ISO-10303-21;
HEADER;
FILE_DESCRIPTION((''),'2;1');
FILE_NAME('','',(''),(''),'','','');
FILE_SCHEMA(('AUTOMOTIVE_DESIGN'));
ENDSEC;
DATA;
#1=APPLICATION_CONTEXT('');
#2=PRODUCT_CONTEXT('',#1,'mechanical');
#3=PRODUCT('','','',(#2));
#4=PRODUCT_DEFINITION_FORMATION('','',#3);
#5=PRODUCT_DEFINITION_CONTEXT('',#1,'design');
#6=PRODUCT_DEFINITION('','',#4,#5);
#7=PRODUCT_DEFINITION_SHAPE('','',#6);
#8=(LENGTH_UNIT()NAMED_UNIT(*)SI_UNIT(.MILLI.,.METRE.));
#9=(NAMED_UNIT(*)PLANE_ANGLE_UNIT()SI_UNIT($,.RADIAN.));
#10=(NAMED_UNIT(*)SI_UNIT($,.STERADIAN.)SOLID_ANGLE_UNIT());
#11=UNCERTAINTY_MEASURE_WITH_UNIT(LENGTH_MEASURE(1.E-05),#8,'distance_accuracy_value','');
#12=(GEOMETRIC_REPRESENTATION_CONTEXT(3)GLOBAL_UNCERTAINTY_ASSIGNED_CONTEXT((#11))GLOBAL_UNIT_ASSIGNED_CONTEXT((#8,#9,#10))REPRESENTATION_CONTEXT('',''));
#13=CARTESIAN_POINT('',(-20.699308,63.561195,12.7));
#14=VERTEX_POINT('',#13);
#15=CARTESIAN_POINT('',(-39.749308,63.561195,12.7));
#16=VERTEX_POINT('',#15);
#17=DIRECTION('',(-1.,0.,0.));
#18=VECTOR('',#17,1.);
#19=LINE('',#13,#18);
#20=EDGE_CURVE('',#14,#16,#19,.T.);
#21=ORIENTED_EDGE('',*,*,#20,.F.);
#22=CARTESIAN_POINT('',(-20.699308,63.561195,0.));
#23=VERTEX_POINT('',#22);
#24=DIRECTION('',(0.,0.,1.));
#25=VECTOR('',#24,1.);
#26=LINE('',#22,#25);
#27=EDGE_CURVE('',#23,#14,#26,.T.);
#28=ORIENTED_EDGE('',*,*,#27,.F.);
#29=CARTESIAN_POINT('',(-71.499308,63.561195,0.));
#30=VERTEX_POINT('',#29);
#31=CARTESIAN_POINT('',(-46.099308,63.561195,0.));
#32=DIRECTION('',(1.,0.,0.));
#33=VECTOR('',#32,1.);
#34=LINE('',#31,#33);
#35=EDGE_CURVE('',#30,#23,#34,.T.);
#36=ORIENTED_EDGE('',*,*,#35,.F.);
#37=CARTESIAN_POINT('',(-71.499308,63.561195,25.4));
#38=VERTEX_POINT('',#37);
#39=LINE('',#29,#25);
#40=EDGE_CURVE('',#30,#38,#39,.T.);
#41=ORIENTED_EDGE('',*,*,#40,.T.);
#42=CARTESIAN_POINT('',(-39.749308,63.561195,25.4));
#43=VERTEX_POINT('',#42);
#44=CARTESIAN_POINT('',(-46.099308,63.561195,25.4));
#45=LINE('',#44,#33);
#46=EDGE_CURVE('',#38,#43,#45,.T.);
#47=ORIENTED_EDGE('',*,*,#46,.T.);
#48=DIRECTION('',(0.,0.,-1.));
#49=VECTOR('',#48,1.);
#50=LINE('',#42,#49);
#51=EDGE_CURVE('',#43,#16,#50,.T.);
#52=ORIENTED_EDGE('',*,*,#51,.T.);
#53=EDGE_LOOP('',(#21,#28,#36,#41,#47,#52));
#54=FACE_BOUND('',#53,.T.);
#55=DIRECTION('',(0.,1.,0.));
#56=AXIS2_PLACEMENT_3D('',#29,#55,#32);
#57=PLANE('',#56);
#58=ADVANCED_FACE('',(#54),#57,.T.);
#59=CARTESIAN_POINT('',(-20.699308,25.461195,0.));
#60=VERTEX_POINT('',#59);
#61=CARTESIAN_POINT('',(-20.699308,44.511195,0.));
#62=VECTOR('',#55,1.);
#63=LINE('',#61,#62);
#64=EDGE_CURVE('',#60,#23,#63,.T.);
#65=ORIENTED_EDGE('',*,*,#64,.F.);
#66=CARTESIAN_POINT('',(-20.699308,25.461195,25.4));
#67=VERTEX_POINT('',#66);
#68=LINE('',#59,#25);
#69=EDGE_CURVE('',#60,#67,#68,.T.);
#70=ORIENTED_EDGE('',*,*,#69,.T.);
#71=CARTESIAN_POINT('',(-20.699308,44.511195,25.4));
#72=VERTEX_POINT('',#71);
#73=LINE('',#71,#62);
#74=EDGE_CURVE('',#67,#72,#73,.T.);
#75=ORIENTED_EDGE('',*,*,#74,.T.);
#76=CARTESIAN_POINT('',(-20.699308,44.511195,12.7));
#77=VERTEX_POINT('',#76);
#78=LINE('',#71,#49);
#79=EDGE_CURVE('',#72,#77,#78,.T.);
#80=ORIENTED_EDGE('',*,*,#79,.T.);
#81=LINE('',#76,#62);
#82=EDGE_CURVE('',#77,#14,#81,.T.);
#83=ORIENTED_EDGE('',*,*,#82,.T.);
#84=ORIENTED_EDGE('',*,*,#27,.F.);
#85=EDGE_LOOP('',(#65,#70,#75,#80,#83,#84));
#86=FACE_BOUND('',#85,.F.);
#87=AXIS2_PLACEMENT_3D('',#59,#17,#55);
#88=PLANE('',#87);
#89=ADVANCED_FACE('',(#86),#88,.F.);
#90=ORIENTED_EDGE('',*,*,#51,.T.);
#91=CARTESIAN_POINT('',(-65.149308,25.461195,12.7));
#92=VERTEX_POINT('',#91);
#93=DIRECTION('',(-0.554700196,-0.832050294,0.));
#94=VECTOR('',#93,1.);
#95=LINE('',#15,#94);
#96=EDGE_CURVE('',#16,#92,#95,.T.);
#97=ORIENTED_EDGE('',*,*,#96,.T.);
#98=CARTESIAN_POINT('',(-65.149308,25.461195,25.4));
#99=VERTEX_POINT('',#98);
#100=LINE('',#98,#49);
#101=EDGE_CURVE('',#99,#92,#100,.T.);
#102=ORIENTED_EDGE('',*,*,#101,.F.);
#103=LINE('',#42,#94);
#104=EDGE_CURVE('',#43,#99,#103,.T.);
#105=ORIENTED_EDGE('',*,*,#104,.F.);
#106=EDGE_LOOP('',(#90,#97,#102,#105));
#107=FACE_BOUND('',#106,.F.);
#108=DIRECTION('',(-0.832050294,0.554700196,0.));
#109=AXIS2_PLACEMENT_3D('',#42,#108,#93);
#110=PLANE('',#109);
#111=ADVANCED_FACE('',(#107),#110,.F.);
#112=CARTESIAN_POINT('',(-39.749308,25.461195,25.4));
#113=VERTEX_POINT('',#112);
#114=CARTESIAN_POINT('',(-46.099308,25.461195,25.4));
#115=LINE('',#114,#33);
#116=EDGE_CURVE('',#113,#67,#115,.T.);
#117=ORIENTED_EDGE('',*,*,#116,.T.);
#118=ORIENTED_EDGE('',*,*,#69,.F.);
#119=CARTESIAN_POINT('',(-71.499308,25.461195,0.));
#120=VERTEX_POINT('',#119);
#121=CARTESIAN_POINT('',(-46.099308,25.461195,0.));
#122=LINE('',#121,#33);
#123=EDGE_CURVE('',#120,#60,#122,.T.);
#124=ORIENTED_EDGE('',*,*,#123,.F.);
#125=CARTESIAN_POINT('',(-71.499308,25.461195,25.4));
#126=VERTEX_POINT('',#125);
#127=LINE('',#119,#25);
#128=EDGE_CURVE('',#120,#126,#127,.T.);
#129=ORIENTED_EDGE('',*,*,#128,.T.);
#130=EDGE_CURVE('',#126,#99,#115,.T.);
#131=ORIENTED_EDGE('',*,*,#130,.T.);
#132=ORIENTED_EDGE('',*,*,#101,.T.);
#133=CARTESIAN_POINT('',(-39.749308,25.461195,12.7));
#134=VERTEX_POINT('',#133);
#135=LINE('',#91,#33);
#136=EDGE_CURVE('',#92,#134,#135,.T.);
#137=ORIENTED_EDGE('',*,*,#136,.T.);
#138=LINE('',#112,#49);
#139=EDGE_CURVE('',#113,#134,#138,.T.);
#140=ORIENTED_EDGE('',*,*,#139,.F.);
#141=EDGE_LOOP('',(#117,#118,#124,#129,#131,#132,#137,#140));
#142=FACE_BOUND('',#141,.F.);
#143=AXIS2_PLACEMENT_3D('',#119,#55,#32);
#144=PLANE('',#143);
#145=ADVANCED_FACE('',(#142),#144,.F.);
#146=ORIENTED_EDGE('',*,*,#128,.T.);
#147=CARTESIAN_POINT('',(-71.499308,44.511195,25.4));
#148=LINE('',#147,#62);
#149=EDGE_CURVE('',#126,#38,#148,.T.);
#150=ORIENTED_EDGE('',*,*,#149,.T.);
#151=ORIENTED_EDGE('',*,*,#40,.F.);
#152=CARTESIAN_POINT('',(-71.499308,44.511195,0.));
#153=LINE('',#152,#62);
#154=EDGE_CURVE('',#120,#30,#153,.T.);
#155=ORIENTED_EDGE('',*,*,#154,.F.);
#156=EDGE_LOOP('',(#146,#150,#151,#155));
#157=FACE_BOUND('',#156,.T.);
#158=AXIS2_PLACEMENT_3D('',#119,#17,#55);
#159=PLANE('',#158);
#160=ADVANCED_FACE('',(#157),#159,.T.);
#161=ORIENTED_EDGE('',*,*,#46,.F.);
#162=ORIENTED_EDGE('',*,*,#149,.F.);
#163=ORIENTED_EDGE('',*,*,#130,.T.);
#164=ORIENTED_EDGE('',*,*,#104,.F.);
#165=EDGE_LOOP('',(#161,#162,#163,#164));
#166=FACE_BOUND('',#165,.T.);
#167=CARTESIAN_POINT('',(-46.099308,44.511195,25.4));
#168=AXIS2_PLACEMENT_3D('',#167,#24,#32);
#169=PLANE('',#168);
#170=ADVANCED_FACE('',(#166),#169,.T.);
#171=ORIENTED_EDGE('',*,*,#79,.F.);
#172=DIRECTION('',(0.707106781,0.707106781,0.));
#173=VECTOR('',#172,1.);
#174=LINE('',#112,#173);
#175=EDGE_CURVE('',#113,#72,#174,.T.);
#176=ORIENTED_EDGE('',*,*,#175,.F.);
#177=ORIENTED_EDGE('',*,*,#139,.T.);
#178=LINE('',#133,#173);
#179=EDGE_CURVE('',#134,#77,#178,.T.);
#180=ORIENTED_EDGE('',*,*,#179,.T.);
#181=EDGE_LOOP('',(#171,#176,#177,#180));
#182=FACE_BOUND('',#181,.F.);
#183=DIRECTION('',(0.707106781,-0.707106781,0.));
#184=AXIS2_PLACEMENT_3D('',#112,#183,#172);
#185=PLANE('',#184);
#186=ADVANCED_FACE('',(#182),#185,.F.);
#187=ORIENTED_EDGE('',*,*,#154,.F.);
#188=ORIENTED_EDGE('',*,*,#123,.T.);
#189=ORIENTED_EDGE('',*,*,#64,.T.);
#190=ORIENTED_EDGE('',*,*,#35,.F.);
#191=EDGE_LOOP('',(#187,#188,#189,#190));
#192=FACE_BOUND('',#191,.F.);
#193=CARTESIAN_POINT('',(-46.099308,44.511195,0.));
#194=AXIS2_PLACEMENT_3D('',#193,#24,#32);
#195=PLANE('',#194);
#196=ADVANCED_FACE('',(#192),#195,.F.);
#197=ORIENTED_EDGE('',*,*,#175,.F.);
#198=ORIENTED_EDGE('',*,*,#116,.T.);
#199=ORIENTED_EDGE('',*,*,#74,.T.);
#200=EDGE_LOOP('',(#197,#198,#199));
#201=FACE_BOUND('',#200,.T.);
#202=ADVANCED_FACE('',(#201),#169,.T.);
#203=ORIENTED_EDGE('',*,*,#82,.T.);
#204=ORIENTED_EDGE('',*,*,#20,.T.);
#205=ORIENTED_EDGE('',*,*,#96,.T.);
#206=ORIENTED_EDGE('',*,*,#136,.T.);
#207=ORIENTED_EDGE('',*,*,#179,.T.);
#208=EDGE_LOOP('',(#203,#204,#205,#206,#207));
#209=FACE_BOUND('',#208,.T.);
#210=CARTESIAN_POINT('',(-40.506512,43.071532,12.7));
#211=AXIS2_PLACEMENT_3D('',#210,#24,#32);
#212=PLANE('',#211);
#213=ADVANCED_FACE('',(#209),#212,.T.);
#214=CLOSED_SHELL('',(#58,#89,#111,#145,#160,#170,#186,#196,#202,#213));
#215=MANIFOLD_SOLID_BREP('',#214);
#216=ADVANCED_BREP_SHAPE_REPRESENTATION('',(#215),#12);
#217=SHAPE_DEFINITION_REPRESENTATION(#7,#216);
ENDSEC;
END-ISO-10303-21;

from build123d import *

# Parameters (mm, degrees)
F0_W     = 50.8
F0_H     = 38.1
F1_DEPTH = 25.4
F3_DEPTH = 12.7


with BuildPart() as f1:
    # F0 (on Top) → F1 (new body)
    with BuildSketch(Plane.XY):
        with Locations((-46.099308, 44.511195)):
            Rectangle(F0_W, F0_H)
    extrude(amount=F1_DEPTH)

    # F2 (on face) → F3 (cut)
    with BuildSketch(Plane.XY.offset(25.4)):
        Polygon((-20.699308, 63.561195), (-39.749308, 63.561195), (-65.149308, 25.461195), (-39.749308, 25.461195), (-20.699308, 44.511195), align=None)
    extrude(amount=-F3_DEPTH, mode=Mode.SUBTRACT)


solid = f1.part
